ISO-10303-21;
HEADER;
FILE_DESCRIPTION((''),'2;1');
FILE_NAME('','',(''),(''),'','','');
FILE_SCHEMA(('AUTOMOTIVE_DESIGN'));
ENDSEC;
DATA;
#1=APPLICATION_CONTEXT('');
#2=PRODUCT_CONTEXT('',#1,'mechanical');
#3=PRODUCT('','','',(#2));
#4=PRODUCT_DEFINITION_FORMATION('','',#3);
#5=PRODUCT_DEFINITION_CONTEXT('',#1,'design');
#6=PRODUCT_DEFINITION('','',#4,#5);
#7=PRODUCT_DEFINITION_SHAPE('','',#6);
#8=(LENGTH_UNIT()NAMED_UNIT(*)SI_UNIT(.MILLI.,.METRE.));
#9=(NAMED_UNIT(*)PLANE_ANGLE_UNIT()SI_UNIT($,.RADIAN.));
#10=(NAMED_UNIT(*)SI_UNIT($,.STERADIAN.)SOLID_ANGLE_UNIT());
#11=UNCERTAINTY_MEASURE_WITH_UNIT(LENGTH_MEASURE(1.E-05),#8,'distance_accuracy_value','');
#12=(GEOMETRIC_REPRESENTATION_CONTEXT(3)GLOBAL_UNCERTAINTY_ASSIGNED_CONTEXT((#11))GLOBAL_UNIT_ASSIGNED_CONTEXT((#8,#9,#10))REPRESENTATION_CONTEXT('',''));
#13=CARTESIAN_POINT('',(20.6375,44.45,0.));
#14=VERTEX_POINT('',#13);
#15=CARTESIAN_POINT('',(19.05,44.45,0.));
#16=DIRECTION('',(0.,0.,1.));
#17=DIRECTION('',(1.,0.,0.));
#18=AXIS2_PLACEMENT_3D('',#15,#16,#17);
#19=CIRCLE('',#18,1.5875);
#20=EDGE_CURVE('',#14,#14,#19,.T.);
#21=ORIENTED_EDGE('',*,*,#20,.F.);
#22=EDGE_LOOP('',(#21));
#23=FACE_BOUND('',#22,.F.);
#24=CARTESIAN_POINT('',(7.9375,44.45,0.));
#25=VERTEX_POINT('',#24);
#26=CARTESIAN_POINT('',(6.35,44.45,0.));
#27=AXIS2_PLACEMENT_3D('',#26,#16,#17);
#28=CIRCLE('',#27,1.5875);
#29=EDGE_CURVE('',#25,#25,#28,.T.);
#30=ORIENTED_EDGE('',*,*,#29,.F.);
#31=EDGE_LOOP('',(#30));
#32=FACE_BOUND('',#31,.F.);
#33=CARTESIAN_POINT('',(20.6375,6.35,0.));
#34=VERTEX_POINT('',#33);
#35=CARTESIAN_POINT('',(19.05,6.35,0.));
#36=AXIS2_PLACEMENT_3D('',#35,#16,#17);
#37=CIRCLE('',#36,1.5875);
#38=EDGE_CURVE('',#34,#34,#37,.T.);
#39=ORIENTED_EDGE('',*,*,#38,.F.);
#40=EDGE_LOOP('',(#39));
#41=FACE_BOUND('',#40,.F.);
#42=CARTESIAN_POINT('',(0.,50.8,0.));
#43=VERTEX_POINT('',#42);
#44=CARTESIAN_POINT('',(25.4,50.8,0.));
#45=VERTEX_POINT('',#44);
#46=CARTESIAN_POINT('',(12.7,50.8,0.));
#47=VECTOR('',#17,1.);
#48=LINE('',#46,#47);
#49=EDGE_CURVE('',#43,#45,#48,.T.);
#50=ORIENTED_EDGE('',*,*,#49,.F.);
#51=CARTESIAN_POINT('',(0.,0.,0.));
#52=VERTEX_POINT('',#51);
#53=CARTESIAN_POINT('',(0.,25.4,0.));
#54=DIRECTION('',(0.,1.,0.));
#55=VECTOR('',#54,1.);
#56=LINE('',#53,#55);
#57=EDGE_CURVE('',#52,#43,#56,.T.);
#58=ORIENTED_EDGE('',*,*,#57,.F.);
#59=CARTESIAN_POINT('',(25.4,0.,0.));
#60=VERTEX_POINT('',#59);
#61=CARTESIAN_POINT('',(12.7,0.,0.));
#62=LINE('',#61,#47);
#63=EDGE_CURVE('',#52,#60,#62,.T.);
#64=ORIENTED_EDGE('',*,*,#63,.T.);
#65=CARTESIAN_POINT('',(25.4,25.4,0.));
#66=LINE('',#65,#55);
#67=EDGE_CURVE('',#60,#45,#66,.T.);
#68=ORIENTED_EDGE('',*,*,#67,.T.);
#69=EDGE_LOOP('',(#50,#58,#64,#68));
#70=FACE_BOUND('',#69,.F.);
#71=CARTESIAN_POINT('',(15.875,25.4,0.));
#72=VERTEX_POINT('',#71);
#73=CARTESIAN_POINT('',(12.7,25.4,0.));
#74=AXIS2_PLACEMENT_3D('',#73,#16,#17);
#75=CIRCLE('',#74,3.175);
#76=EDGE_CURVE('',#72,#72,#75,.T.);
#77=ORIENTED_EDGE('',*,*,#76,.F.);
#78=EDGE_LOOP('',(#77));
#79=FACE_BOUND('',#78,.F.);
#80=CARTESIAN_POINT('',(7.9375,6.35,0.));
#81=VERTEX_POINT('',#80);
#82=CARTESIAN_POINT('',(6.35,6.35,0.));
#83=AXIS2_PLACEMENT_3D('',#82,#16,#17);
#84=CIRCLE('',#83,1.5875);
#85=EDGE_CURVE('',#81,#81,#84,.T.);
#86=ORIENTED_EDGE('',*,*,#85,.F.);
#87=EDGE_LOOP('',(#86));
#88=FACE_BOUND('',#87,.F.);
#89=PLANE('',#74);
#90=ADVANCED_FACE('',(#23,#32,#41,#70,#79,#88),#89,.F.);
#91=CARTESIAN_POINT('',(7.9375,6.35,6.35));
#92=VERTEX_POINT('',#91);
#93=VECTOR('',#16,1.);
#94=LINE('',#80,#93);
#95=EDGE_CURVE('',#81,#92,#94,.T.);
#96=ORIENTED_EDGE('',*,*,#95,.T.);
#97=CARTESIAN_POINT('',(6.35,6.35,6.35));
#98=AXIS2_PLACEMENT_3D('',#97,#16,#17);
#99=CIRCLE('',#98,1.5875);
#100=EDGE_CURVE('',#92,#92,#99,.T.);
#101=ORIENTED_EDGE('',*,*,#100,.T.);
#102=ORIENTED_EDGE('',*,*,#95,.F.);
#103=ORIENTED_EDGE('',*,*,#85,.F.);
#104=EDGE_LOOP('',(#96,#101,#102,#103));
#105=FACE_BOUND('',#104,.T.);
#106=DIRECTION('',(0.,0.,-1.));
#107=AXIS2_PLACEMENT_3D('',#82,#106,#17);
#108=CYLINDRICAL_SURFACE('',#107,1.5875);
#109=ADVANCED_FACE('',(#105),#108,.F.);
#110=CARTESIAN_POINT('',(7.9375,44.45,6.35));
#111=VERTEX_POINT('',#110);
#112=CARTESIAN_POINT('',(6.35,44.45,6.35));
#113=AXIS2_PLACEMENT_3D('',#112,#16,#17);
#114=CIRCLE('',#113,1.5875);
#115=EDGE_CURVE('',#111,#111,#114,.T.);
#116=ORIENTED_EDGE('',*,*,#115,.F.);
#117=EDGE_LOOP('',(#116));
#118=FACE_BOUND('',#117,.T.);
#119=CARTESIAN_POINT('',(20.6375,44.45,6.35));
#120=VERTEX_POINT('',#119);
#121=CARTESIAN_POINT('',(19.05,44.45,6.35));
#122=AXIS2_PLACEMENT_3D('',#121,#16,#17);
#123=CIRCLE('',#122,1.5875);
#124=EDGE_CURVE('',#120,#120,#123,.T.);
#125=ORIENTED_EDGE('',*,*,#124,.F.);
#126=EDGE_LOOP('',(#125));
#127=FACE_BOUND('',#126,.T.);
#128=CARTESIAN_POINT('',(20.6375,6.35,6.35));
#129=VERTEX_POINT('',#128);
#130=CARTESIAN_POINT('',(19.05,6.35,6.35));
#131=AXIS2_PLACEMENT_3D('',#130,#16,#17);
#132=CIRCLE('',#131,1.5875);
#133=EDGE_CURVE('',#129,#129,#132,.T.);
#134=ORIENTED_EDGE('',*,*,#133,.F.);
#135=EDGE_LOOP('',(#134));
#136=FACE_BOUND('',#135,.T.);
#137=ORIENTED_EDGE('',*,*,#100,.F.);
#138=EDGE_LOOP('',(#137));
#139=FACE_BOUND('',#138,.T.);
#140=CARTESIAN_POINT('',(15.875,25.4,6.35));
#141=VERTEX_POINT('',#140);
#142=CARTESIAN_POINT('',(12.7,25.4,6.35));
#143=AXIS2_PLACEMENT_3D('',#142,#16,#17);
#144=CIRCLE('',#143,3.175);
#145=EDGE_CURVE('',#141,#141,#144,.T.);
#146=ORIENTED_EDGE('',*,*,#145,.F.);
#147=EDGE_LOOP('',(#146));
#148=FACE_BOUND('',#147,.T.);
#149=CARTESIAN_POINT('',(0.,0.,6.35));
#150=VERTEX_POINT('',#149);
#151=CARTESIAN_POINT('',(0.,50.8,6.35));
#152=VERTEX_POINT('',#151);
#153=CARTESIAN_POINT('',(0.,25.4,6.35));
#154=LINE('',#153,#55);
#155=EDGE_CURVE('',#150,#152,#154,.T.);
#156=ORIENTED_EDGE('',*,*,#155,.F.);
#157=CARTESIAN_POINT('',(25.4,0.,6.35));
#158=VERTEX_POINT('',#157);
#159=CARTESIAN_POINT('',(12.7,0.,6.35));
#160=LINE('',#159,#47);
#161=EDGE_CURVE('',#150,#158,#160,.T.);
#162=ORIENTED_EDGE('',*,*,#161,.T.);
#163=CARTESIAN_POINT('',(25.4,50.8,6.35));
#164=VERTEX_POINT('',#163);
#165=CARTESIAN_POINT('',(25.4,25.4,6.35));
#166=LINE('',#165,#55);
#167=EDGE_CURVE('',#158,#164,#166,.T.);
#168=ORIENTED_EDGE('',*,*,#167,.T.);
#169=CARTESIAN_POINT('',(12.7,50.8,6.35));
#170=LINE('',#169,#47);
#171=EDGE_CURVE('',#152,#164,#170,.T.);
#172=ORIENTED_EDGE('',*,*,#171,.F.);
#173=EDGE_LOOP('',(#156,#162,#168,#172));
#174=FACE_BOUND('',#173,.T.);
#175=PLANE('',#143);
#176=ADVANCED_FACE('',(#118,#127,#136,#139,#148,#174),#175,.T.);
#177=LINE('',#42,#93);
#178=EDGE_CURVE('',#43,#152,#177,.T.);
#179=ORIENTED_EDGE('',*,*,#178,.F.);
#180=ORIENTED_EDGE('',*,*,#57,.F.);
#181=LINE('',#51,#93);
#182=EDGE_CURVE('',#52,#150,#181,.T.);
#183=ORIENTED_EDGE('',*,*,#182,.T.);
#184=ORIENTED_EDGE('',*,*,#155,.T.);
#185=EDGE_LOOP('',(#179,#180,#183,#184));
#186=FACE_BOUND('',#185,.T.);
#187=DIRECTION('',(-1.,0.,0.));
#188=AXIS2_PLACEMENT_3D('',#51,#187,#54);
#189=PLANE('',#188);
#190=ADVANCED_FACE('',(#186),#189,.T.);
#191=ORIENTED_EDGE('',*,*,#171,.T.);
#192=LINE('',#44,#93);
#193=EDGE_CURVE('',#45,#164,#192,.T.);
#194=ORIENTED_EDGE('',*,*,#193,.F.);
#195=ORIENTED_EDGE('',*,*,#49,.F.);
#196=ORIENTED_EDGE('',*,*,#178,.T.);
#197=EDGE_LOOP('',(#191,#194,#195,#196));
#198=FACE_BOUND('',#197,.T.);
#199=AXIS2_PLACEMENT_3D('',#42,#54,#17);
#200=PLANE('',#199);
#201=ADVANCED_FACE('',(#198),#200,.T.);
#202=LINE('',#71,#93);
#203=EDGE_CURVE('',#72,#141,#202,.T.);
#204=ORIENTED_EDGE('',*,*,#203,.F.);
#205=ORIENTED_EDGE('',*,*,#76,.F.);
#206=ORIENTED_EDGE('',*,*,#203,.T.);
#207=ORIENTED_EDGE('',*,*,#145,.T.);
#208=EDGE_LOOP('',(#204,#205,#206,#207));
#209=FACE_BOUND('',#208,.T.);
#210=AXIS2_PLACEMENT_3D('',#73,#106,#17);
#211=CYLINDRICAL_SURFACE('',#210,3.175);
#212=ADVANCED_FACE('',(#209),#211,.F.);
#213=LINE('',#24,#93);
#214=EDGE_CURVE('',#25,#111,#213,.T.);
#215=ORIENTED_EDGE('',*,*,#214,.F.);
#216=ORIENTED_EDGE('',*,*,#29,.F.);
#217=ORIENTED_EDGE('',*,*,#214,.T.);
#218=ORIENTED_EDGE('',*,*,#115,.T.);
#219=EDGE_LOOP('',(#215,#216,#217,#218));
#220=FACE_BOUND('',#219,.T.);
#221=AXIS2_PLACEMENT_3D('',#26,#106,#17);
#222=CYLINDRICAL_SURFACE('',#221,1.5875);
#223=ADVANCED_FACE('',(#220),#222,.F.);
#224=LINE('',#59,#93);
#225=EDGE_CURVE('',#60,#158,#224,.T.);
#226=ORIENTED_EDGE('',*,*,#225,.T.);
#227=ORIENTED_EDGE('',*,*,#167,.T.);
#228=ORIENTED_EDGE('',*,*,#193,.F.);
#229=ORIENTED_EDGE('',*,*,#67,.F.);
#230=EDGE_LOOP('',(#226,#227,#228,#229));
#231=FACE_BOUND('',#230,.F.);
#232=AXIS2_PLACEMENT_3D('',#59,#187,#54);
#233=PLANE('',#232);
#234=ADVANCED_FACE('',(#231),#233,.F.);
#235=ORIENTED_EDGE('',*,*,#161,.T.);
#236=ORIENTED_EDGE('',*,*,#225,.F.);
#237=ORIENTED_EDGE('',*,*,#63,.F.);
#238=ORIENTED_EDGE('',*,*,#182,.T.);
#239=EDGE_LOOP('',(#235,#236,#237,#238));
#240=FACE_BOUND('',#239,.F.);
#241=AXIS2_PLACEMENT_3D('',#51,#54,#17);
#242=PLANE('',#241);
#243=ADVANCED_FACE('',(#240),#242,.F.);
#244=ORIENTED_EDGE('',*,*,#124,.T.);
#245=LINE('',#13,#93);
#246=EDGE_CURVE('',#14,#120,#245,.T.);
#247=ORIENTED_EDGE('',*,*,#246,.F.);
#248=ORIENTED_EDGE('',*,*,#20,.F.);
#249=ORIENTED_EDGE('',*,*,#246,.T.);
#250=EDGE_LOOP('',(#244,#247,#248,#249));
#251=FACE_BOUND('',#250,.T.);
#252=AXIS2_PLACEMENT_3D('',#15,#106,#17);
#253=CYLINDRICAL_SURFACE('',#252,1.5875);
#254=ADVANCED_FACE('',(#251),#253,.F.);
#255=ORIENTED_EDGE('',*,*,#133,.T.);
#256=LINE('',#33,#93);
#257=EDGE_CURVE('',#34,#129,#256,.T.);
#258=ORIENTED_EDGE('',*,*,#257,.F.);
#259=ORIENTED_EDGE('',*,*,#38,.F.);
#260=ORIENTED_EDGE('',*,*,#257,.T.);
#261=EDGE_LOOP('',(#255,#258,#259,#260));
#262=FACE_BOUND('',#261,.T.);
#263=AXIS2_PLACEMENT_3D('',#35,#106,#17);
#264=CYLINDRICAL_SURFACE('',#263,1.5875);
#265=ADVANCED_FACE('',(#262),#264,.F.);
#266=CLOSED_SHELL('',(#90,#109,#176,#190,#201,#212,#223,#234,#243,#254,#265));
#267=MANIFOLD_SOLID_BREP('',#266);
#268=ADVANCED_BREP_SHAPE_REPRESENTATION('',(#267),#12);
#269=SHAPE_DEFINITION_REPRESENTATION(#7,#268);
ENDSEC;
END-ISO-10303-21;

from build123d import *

# Parameters (mm, degrees)
F0_W     = 25.4
F0_H     = 50.8
F0_R     = 1.5875
F0_R_2   = 3.175
F1_DEPTH = 6.35


with BuildPart() as f1:
    # F0 (on Top) → F1 (new body)
    with BuildSketch(Plane.XY):
        with Locations((12.7, 25.4)):
            Rectangle(F0_W, F0_H)
        with Locations((6.35, 6.35)):
            Circle(F0_R, mode=Mode.SUBTRACT)
        with Locations((12.7, 25.4)):
            Circle(F0_R_2, mode=Mode.SUBTRACT)
        with Locations((19.05, 6.35)):
            Circle(F0_R, mode=Mode.SUBTRACT)
        with Locations((6.35, 44.45)):
            Circle(F0_R, mode=Mode.SUBTRACT)
        with Locations((19.05, 44.45)):
            Circle(F0_R, mode=Mode.SUBTRACT)
    extrude(amount=F1_DEPTH)


solid = f1.part
